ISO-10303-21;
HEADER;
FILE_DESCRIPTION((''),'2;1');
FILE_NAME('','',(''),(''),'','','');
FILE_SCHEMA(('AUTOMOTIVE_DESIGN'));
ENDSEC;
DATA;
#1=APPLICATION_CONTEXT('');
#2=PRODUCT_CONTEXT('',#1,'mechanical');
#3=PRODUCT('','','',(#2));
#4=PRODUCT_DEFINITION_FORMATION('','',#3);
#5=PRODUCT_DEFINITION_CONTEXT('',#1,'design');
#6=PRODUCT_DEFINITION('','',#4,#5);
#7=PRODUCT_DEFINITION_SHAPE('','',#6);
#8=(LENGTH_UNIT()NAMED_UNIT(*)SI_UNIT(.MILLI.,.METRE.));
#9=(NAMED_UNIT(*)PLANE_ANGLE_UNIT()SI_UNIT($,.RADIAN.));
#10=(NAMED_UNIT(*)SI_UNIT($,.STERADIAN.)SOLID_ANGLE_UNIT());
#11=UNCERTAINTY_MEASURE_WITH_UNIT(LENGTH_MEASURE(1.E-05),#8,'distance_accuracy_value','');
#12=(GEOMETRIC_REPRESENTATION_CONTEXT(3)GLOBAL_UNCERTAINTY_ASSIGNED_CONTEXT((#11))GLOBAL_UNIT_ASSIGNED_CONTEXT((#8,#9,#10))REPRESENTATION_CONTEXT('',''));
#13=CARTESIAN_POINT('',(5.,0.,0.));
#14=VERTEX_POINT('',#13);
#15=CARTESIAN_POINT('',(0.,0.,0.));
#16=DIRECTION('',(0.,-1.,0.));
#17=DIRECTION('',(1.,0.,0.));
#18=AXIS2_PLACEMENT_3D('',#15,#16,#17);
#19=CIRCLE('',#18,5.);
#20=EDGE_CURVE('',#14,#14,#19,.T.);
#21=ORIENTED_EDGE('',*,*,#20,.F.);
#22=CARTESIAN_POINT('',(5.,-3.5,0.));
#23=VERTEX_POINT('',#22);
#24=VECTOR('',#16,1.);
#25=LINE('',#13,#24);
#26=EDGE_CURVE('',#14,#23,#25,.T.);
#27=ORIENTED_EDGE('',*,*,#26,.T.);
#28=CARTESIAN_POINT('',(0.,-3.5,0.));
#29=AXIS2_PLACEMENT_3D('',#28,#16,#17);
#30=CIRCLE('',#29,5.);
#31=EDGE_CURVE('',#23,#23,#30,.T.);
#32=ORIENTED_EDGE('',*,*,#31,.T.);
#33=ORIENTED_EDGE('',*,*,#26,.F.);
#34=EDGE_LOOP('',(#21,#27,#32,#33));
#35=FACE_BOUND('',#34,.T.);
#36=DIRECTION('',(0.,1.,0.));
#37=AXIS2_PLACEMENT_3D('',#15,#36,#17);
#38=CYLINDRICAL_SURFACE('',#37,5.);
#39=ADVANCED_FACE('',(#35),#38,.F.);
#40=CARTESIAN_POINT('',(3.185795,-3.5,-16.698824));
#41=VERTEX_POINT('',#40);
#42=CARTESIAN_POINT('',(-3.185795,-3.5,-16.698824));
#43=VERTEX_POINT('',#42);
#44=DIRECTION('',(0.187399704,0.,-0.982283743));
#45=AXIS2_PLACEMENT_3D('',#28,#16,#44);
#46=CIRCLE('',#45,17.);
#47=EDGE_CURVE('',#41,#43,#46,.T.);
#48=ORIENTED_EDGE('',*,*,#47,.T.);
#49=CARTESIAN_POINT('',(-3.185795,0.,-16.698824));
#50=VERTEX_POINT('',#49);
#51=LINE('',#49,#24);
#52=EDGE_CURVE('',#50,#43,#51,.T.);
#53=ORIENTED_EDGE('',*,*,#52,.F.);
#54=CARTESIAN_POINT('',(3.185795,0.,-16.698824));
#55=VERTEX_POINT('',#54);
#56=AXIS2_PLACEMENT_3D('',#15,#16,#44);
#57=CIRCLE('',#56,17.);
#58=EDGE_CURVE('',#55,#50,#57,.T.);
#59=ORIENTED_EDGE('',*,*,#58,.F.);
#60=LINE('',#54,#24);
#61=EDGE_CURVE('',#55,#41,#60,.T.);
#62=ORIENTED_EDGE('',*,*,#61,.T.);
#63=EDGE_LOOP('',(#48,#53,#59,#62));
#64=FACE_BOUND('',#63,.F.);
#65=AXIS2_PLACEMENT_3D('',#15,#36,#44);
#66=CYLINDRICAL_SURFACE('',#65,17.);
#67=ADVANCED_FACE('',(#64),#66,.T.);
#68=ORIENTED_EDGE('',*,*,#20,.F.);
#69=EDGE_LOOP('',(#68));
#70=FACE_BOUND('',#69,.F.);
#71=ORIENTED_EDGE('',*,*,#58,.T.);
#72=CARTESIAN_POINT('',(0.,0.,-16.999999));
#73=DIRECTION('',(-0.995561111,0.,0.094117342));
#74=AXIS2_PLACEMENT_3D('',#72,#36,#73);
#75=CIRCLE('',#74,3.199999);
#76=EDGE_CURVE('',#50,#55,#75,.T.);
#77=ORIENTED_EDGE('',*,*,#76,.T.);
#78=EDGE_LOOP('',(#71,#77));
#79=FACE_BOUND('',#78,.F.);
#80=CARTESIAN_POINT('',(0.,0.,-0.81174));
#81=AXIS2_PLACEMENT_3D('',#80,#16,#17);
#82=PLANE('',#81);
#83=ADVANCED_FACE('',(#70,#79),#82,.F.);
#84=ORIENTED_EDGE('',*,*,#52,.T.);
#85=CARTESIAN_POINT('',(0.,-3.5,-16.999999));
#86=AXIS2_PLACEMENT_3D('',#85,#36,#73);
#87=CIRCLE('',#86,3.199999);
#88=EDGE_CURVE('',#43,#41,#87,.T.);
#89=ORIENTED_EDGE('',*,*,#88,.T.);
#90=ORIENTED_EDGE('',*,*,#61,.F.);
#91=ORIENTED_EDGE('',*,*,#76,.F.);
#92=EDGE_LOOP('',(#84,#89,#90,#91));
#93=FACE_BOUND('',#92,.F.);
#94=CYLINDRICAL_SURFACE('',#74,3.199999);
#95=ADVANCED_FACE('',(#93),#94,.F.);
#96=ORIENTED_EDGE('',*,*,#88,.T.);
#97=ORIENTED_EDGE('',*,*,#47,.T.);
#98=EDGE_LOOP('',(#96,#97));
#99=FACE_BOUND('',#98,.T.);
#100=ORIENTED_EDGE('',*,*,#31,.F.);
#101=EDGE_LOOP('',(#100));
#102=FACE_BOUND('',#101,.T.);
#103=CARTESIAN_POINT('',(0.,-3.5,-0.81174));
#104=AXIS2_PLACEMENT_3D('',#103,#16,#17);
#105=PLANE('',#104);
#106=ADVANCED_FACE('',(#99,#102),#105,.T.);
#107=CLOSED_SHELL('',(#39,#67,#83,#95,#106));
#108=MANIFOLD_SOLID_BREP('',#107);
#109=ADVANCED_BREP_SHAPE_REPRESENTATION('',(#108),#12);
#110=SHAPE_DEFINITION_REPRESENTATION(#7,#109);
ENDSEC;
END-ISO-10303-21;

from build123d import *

# Parameters (mm, degrees)
F0_R     = 5
F1_DEPTH = 3.5


with BuildPart() as f1:
    # F0 (on Front) → F1 (new body)
    with BuildSketch(Plane.XZ):
        with BuildLine():
            ThreePointArc((-3.185795, -16.698824), (0, -13.8), (3.185795, -16.698824))
            ThreePointArc((3.185795, -16.698824), (0, 17), (-3.185795, -16.698824))
        make_face()
        Circle(F0_R, mode=Mode.SUBTRACT)
    extrude(amount=F1_DEPTH)


solid = f1.part
